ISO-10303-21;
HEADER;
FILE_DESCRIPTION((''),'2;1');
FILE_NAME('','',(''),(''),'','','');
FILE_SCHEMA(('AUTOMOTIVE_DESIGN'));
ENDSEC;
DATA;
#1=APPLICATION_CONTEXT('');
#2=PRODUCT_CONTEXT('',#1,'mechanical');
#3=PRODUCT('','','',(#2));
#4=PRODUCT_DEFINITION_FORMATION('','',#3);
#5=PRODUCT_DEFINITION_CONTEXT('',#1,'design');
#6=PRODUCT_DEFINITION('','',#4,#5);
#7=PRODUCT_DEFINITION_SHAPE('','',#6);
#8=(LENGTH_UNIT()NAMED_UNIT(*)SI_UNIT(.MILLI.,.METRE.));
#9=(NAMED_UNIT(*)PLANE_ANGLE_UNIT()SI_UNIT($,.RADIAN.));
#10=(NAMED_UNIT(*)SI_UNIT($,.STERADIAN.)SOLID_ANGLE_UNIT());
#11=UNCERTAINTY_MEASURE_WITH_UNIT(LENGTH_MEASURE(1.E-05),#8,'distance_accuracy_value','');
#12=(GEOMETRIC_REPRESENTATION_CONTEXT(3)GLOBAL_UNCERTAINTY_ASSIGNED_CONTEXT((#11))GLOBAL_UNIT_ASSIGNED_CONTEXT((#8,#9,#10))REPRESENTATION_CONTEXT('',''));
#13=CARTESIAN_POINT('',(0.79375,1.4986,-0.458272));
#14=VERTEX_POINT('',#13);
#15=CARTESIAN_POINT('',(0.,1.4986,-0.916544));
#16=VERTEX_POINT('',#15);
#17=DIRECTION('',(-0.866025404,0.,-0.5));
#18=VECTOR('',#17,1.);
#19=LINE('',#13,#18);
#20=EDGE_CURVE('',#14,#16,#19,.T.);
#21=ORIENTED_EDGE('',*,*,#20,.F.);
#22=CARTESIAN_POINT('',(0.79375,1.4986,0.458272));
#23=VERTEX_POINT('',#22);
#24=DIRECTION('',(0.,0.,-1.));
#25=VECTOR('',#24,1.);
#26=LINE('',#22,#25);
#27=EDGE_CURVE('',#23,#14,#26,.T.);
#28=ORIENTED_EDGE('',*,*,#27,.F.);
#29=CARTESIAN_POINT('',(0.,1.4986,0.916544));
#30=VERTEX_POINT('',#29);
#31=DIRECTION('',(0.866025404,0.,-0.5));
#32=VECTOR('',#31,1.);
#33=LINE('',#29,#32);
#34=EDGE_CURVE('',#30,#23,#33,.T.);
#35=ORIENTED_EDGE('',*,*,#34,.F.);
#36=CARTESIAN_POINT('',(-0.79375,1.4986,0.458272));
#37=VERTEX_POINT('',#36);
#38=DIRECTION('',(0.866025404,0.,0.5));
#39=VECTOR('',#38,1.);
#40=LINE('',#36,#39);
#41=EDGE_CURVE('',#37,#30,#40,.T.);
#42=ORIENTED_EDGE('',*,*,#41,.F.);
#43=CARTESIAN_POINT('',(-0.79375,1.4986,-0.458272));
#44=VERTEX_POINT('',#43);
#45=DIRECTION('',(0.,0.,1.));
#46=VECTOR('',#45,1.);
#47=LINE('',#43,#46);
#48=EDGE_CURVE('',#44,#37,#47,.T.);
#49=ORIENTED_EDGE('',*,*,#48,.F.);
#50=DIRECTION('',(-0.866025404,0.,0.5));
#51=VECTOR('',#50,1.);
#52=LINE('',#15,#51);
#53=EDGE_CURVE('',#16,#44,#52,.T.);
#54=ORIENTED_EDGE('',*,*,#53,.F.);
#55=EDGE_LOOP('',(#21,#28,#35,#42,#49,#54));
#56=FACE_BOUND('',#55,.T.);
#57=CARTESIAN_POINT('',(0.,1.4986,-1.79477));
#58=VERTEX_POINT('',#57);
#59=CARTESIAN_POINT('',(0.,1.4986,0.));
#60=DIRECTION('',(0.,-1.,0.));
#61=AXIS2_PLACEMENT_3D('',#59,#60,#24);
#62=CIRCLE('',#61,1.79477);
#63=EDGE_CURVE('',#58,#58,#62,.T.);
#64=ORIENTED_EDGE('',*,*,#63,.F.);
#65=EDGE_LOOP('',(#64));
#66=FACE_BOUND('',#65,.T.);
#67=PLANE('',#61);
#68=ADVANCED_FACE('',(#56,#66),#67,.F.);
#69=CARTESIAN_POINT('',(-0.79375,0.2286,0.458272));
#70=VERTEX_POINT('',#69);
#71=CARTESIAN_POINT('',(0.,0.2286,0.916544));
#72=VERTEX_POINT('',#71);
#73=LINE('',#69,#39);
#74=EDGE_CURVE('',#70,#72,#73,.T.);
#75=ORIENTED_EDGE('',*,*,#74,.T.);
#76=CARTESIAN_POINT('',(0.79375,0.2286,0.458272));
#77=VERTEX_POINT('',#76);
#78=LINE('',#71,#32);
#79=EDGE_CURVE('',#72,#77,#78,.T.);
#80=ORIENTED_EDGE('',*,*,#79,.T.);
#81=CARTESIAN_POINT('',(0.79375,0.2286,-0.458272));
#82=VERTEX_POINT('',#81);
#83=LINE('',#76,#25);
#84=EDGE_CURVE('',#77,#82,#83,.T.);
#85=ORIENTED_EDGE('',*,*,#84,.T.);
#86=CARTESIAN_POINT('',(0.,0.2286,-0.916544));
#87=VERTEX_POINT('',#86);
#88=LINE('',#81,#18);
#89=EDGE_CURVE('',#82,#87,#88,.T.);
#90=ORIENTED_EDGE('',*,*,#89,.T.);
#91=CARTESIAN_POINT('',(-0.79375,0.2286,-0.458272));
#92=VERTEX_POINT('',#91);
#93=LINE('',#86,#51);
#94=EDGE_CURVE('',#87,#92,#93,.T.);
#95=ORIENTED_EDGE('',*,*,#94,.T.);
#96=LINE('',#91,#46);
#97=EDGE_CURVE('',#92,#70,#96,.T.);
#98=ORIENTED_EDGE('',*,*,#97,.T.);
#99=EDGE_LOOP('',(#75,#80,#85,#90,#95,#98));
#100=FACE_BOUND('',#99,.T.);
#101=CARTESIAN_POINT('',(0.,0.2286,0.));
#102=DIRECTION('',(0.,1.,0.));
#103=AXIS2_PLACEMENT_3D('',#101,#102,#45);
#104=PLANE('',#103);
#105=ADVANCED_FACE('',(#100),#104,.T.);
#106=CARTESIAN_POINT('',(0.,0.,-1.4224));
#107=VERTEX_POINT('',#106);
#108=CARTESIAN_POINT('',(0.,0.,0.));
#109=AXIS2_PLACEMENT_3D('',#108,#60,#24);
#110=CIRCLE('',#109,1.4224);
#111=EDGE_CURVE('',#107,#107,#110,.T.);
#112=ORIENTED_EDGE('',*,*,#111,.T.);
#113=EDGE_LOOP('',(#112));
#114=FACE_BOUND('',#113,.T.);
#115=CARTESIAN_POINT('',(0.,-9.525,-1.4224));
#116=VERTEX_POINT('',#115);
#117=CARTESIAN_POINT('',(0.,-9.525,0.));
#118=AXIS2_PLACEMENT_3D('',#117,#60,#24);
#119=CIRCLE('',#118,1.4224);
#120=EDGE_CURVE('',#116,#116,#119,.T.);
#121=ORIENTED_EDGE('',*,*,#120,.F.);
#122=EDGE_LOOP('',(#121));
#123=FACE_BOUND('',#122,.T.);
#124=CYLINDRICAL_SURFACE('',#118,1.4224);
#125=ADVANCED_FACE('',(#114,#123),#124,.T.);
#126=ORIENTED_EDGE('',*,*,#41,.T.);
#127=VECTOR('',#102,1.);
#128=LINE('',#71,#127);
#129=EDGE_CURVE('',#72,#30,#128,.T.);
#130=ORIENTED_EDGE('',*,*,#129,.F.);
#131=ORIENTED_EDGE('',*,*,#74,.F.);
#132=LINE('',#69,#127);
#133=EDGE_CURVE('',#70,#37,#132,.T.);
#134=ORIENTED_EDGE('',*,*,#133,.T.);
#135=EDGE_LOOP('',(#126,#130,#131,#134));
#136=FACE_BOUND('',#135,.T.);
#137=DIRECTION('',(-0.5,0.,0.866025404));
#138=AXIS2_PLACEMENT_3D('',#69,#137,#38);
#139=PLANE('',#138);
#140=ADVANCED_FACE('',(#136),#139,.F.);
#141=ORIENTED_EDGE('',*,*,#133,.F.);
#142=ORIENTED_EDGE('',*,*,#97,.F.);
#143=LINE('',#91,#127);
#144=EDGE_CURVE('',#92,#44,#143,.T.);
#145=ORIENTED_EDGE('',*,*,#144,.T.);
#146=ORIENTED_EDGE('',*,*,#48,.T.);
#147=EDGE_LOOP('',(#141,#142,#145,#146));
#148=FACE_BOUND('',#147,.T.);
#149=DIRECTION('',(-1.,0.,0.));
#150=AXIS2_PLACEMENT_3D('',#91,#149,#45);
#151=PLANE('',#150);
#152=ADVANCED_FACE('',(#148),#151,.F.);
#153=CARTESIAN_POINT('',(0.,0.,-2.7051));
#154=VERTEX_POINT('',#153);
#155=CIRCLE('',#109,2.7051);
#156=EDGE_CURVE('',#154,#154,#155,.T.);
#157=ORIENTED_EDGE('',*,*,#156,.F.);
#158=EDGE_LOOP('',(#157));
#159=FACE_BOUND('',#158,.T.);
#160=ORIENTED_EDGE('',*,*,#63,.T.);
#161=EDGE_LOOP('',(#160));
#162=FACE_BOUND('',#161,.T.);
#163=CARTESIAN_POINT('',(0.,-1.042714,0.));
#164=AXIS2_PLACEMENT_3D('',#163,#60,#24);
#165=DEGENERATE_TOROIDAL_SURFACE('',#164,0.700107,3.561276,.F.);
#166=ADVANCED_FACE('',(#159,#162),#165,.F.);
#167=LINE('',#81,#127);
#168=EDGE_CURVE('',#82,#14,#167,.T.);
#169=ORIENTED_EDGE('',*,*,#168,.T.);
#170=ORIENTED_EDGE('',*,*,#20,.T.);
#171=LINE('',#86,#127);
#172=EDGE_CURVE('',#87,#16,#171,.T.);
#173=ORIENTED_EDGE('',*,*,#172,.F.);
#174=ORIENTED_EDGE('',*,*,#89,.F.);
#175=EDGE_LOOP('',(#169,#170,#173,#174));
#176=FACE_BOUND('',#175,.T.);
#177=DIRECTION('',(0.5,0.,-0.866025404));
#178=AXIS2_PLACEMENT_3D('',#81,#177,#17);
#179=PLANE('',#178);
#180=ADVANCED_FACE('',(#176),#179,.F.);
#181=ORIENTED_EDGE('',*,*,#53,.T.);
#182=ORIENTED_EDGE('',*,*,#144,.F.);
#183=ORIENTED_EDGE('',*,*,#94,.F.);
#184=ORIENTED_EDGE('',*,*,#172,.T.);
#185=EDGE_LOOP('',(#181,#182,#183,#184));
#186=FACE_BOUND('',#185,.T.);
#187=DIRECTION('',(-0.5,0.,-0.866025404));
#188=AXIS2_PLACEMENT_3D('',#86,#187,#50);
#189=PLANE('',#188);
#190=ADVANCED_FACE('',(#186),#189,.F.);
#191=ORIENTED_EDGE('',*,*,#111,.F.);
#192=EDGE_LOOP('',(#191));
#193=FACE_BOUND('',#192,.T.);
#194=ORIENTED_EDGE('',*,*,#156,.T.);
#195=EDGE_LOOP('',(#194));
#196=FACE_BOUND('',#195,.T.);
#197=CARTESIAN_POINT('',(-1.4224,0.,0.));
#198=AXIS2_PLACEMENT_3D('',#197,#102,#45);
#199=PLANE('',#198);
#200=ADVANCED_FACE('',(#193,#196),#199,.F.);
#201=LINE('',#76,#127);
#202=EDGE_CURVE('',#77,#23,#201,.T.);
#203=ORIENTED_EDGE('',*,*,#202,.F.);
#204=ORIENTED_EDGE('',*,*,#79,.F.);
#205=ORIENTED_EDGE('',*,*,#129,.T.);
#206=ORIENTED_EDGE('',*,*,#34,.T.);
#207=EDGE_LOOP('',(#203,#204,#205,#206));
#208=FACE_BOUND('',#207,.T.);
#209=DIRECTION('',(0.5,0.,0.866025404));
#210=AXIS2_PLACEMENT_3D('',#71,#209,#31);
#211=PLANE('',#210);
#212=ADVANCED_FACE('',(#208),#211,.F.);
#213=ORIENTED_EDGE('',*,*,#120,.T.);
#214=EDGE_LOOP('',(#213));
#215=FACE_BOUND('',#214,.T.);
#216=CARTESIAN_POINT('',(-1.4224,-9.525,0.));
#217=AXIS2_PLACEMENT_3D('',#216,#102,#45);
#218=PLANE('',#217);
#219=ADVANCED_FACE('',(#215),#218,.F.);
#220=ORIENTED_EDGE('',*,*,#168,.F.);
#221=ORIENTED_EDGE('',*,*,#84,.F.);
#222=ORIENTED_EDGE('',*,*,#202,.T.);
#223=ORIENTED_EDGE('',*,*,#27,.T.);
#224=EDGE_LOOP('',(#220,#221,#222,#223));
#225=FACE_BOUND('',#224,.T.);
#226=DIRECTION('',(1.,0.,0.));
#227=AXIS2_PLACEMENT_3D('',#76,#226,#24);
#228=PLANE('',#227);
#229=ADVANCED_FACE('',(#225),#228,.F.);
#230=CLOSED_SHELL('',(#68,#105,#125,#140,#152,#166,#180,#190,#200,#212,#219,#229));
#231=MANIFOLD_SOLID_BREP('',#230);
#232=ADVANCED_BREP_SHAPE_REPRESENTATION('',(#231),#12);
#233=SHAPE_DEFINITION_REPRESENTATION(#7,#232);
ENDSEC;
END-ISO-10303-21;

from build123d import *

# Parameters (mm, degrees)
CUT_EXTRUDE1_DEPTH = 1.27


with BuildPart() as part:
    # Sketch1 → Revolve1 (revolve)
    with BuildSketch(Plane.XY):
        with BuildLine():
            Line((-1.4224, 0), (-2.7051, 0))
            ThreePointArc((-2.7051, 0), (-2.343607569, 0.806201731), (-1.79477003, 1.4986))
            Line((-1.79477003, 1.4986), (0, 1.4986))
            Line((0, 1.4986), (0, -9.525))
            Line((0, -9.525), (-1.4224, -9.525))
            Line((-1.4224, -9.525), (-1.4224, 0))
        make_face()
    revolve(axis=Axis((0, -9.525, 0), (0, 1, 0)))

    # Sketch2 → Cut-Extrude1 (cut)
    with BuildSketch(Plane(origin=(0, 1.4986, 0), x_dir=(1, 0, 0), z_dir=(0, 1, 0))):
        Polygon((-0.79375, 0.458271776), (-0.79375, -0.458271776), (0, -0.916543552), (0.79375, -0.458271776), (0.79375, 0.458271776), (0, 0.916543552), align=None)
    extrude(amount=-CUT_EXTRUDE1_DEPTH, mode=Mode.SUBTRACT)


solid = part.part
